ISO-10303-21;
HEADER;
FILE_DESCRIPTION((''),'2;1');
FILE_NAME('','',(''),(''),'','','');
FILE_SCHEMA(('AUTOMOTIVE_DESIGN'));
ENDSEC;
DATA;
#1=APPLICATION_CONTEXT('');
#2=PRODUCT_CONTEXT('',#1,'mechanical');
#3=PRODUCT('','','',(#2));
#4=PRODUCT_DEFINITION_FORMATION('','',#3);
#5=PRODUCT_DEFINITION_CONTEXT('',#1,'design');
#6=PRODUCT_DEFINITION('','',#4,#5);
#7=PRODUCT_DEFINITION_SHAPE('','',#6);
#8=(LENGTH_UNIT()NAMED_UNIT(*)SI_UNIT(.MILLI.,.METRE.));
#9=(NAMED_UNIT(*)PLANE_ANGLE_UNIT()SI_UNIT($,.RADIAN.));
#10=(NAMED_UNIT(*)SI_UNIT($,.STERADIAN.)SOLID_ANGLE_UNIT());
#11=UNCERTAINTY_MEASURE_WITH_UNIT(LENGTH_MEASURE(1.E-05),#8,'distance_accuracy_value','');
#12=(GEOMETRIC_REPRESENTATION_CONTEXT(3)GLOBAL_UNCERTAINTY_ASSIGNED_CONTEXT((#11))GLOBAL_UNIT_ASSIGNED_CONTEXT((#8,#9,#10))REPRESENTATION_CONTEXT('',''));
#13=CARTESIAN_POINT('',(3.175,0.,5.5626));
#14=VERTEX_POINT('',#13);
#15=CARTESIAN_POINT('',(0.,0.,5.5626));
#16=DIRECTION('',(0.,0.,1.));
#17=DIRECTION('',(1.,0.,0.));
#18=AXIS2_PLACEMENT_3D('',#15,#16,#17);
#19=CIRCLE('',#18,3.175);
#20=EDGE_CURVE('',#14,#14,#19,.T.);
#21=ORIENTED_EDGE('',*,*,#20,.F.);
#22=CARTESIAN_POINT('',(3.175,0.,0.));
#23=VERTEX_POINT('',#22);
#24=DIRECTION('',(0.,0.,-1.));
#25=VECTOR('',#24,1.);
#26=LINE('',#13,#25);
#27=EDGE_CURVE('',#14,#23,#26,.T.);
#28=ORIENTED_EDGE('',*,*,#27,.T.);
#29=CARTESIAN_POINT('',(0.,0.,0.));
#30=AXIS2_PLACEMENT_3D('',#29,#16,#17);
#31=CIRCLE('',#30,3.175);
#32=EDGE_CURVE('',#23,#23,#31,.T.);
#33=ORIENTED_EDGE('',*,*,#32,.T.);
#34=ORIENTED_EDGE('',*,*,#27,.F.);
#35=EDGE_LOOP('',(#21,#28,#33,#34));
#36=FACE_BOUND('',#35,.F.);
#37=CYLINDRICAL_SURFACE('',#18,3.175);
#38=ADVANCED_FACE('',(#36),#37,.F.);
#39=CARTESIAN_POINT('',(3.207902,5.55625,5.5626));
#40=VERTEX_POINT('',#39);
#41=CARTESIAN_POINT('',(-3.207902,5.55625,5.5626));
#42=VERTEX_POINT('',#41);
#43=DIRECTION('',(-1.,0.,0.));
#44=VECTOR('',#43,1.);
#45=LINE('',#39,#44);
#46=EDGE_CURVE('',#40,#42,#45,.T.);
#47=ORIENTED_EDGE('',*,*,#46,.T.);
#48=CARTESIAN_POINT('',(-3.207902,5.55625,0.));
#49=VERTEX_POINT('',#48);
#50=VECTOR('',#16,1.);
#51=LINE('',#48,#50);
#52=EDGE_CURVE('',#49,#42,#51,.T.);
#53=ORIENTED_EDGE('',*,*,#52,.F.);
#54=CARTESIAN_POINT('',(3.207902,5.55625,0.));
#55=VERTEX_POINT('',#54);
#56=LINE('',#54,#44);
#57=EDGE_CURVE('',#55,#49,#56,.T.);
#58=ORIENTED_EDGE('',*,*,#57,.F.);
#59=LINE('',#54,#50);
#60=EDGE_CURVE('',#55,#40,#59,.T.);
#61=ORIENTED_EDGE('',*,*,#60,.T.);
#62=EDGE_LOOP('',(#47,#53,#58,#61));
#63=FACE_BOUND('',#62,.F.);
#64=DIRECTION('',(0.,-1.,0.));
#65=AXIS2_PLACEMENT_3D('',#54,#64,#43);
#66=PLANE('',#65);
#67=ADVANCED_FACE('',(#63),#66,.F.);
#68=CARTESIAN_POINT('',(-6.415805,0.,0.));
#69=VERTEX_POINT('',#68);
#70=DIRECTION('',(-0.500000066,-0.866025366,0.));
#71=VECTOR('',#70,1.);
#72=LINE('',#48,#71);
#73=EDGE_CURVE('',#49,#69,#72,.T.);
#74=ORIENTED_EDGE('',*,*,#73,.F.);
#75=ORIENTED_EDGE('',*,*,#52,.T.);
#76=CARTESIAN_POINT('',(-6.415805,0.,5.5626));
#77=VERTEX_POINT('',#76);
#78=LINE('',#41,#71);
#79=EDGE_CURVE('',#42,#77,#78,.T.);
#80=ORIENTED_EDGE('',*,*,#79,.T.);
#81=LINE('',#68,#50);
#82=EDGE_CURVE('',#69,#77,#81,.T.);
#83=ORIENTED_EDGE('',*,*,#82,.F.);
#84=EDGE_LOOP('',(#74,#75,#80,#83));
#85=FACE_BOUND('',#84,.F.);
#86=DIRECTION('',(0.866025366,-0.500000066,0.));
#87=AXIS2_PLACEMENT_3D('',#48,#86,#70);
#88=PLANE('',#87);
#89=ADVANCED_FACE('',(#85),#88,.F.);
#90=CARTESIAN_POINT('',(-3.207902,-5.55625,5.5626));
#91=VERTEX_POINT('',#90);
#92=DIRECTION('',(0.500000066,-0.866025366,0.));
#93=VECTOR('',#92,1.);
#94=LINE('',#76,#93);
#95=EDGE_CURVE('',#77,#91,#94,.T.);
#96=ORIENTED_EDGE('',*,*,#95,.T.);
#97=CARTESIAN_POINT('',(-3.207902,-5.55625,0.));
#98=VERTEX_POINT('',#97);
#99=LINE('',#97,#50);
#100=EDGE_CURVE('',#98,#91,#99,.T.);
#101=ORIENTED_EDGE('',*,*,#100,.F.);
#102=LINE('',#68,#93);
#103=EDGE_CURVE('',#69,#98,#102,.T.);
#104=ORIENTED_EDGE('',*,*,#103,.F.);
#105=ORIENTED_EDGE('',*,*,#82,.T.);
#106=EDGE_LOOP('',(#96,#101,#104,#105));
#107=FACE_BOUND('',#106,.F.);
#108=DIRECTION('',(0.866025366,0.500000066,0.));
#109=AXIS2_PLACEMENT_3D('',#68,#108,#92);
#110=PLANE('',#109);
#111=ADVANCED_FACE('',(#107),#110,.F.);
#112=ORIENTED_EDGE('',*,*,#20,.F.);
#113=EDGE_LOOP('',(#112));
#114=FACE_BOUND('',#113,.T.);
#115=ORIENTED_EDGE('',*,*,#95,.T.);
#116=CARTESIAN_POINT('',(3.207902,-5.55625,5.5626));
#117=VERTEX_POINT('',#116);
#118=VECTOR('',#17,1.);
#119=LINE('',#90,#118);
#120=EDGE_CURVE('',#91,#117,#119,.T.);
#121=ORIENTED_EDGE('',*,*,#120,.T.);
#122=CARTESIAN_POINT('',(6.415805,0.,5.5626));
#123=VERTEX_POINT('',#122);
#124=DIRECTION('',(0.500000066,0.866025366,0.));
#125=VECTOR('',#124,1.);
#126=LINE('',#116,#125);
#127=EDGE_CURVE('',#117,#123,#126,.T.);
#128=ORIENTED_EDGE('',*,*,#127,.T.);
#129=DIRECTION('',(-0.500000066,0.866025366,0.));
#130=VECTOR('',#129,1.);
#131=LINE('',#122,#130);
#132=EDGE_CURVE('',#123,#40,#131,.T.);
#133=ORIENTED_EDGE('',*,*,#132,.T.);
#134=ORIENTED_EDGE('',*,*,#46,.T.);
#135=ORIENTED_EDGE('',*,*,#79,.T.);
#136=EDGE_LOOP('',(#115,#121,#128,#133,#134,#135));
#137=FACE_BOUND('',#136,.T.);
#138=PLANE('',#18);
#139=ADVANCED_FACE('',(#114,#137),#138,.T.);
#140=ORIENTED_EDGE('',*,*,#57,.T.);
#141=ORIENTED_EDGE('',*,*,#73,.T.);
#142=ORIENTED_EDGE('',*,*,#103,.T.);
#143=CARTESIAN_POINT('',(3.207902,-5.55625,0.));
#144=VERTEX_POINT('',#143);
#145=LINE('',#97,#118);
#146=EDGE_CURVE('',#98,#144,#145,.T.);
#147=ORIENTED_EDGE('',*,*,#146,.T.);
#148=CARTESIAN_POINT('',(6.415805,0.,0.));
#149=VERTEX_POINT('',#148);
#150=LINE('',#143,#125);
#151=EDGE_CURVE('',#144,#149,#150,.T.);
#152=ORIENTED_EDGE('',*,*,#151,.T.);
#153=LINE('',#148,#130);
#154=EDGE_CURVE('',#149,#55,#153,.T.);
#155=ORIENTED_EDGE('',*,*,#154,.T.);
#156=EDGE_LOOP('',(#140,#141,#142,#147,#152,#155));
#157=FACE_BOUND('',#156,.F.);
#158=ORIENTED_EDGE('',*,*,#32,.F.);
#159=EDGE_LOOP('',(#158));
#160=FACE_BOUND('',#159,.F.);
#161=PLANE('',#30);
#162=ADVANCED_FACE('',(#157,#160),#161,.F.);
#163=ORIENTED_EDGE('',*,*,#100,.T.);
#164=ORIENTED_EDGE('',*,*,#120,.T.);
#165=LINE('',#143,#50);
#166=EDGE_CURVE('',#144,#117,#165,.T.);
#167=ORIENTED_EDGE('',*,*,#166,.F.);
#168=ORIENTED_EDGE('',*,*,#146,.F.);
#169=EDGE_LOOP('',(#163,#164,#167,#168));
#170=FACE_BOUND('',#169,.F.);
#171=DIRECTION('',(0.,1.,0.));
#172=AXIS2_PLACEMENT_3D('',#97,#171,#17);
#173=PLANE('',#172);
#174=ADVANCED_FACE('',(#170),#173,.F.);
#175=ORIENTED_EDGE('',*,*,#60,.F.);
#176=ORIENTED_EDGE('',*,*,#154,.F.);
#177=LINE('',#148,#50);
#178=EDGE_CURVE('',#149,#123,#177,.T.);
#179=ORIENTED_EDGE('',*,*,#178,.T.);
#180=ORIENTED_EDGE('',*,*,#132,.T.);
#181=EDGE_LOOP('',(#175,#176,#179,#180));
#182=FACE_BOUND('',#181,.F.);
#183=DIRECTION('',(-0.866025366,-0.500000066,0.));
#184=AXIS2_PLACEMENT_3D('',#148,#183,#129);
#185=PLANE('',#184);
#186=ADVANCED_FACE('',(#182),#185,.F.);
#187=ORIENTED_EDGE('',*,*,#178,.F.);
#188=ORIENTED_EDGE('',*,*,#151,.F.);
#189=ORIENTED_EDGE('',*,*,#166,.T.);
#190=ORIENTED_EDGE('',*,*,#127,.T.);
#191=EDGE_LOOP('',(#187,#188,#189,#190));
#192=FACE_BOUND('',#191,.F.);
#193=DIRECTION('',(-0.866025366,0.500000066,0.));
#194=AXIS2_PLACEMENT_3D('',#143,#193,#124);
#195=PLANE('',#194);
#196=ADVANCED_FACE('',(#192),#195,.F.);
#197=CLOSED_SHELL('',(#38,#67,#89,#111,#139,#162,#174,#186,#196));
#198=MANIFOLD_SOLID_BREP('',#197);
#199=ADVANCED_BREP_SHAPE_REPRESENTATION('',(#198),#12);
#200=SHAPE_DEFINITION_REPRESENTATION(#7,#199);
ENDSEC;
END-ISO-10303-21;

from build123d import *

# Parameters (mm, degrees)
F1_DEPTH = 5.5626
F2_R     = 3.175
F3_DEPTH = 6.08933


with BuildPart() as f1:
    # F0 (on Top) → F1 (new body)
    with BuildSketch(Plane.XY):
        Polygon((-3.207902, -5.55625), (3.207902, -5.55625), (6.415805, 0), (3.207902, 5.55625), (-3.207902, 5.55625), (-6.415805, 0), align=None)
    extrude(amount=F1_DEPTH)

    # F2 (on face) → F3 (cut)
    with BuildSketch(Plane.XY.offset(5.5626)):
        Circle(F2_R)
    extrude(amount=-F3_DEPTH, mode=Mode.SUBTRACT)


solid = f1.part
